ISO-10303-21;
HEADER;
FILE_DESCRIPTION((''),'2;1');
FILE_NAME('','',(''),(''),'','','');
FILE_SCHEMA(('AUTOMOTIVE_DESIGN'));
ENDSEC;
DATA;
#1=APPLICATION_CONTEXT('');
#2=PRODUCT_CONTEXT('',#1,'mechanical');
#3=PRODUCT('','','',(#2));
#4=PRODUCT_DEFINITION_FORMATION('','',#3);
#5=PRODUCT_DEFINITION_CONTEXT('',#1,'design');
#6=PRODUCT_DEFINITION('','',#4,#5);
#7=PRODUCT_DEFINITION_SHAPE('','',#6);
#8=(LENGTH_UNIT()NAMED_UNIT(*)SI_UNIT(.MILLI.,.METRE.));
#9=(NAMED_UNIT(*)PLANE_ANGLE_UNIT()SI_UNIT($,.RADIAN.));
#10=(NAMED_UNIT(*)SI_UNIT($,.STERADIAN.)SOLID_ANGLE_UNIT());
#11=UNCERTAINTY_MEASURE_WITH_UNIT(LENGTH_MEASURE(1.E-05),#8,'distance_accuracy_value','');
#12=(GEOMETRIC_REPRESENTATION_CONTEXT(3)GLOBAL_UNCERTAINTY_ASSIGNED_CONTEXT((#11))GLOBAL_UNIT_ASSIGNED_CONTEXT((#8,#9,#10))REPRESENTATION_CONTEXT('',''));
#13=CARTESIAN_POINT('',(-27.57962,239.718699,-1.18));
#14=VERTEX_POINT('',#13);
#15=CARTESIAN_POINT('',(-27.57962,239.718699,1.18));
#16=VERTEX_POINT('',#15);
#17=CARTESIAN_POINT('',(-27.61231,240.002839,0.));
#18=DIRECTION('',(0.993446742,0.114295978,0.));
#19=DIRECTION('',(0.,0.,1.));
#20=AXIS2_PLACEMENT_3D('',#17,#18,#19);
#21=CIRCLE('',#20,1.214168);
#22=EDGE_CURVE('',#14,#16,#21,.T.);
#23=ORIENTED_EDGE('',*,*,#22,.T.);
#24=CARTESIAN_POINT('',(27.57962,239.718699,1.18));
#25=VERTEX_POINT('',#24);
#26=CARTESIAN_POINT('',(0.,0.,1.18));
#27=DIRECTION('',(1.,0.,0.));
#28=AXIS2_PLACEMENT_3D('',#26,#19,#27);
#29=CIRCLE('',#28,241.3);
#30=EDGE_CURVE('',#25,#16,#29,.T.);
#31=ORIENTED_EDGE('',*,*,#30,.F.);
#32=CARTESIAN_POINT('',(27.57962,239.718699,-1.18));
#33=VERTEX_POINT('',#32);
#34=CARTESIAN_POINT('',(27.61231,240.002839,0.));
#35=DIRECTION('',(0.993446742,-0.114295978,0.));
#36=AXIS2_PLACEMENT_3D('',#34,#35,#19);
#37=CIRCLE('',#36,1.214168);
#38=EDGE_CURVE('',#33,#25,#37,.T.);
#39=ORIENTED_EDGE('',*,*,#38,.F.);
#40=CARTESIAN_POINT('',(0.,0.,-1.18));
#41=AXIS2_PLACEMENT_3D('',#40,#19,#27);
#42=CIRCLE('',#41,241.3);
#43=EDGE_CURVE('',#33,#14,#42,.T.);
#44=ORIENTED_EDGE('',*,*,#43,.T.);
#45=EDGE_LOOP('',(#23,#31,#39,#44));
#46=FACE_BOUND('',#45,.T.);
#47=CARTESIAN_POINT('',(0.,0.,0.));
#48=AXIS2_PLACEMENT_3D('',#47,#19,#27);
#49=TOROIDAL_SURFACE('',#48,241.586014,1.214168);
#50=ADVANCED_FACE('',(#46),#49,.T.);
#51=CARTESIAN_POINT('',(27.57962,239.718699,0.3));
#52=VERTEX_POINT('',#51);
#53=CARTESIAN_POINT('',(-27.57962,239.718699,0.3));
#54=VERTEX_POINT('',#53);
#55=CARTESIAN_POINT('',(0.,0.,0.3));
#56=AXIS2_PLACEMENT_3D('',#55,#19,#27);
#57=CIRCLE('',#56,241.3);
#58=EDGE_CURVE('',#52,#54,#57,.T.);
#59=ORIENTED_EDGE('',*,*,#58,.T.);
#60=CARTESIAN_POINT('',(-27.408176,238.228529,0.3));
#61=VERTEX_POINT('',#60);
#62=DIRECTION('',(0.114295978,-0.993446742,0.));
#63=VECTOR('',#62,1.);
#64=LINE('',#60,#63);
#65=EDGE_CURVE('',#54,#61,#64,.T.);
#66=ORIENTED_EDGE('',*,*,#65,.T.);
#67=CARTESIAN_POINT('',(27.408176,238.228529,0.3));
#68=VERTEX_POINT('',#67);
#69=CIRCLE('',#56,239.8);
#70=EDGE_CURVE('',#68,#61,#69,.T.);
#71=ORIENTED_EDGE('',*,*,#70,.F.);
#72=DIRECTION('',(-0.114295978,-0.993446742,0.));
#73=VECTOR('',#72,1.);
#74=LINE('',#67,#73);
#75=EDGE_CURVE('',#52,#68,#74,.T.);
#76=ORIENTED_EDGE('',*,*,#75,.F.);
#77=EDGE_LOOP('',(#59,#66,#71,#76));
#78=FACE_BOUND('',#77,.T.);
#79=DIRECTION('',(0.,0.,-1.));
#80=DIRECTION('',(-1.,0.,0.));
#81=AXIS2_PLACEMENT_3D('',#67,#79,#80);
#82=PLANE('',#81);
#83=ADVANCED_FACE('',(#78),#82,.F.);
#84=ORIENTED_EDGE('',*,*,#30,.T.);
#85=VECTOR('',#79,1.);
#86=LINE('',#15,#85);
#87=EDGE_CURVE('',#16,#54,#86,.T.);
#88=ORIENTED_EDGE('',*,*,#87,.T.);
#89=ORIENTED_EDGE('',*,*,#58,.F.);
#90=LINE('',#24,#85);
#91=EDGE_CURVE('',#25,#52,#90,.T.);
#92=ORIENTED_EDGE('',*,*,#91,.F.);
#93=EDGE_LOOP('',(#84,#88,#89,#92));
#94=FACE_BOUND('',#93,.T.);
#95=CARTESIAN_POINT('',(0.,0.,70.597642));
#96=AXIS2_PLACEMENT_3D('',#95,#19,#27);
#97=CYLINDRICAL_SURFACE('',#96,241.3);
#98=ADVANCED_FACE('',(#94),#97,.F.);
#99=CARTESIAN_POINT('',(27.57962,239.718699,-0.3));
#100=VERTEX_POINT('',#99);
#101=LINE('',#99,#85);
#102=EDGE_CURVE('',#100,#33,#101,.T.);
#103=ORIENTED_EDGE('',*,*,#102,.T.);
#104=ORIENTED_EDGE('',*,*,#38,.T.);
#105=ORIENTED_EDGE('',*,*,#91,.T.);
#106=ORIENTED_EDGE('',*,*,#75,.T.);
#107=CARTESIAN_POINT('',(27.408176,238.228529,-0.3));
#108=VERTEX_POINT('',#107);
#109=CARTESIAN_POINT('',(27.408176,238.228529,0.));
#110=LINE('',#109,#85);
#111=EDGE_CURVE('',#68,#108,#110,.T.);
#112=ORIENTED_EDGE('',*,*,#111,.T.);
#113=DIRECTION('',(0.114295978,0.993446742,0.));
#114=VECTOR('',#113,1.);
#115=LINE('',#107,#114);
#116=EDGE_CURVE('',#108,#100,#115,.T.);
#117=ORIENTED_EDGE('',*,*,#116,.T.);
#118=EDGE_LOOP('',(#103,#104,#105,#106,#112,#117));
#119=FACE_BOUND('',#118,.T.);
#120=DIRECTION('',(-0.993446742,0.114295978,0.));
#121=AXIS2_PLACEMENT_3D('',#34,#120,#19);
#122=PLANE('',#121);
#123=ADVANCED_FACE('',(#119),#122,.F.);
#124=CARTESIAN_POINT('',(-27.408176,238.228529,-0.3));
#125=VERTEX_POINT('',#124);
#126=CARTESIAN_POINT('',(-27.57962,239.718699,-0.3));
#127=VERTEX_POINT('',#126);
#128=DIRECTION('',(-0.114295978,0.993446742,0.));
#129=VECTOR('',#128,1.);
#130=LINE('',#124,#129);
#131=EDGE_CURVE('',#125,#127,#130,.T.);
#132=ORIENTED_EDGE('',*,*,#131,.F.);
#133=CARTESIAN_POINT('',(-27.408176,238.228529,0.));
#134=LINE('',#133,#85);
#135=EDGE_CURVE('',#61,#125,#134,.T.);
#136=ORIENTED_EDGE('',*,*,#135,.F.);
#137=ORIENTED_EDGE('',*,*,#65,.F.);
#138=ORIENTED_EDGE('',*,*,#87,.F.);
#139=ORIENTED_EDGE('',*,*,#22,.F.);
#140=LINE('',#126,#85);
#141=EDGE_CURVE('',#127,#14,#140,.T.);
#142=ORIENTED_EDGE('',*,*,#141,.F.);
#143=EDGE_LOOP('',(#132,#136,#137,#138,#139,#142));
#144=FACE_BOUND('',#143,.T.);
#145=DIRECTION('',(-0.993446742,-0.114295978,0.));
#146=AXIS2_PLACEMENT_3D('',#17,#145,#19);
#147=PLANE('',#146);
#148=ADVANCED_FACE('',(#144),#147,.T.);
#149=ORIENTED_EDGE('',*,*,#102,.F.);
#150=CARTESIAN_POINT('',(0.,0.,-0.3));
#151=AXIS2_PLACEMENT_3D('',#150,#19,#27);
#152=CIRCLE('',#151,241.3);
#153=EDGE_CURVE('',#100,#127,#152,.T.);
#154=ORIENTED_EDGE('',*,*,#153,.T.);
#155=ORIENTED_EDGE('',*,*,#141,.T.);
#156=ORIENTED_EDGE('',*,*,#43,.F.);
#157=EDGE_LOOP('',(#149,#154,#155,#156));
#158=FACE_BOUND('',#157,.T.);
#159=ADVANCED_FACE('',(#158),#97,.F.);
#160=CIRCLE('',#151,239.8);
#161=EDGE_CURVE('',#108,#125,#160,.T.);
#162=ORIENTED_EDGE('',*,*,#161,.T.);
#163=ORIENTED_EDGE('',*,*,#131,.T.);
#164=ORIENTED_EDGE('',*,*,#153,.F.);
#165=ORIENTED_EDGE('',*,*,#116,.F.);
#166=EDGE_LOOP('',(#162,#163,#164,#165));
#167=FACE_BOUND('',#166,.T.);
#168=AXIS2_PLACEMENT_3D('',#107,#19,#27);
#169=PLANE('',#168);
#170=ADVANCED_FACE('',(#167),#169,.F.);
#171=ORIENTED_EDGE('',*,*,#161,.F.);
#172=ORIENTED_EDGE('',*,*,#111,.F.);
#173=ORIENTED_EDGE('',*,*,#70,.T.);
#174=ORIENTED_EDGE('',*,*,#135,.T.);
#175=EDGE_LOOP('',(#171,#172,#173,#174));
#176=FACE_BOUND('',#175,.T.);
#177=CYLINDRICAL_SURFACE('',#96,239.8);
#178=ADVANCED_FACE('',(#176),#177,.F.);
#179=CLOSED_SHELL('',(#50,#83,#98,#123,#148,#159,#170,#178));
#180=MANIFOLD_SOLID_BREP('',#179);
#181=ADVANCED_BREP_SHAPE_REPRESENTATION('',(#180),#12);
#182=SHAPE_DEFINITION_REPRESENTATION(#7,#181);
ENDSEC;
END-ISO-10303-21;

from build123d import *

# Parameters (mm, degrees)
REVOLVE1_ANGLE           = 6.563019823
REVOLVE1_OTHER_WAY_ANGLE = 6.563019823


with BuildPart() as part:
    # Sketch2 → Revolve1 (revolve)
    with BuildSketch(Plane(origin=(0, 0, 0), x_dir=(0, 0, -1), z_dir=(1, 0, 0))):
        with BuildLine():
            Line((0, 239.8), (0.3, 239.8))
            Line((0.3, 239.8), (0.3, 241.3))
            Line((0.3, 241.3), (1.18, 241.3))
            ThreePointArc((1.18, 241.3), (0, 242.800182019), (-1.18, 241.3))
            Line((-1.18, 241.3), (-0.3, 241.3))
            Line((-0.3, 241.3), (-0.3, 239.8))
            Line((-0.3, 239.8), (0, 239.8))
        make_face()
    revolve(axis=Axis((0, 0, 70.597641597), (0, 0, -1)), revolution_arc=REVOLVE1_ANGLE)

    # Sketch2 → Revolve1 other way (revolve)
    with BuildSketch(Plane(origin=(0, 0, 0), x_dir=(0, 0, -1), z_dir=(1, 0, 0))):
        with BuildLine():
            Line((0, 239.8), (0.3, 239.8))
            Line((0.3, 239.8), (0.3, 241.3))
            Line((0.3, 241.3), (1.18, 241.3))
            ThreePointArc((1.18, 241.3), (0, 242.800182019), (-1.18, 241.3))
            Line((-1.18, 241.3), (-0.3, 241.3))
            Line((-0.3, 241.3), (-0.3, 239.8))
            Line((-0.3, 239.8), (0, 239.8))
        make_face()
    revolve(axis=Axis((0, 0, 70.597641597), (0, 0, 1)), revolution_arc=REVOLVE1_OTHER_WAY_ANGLE)


solid = part.part
